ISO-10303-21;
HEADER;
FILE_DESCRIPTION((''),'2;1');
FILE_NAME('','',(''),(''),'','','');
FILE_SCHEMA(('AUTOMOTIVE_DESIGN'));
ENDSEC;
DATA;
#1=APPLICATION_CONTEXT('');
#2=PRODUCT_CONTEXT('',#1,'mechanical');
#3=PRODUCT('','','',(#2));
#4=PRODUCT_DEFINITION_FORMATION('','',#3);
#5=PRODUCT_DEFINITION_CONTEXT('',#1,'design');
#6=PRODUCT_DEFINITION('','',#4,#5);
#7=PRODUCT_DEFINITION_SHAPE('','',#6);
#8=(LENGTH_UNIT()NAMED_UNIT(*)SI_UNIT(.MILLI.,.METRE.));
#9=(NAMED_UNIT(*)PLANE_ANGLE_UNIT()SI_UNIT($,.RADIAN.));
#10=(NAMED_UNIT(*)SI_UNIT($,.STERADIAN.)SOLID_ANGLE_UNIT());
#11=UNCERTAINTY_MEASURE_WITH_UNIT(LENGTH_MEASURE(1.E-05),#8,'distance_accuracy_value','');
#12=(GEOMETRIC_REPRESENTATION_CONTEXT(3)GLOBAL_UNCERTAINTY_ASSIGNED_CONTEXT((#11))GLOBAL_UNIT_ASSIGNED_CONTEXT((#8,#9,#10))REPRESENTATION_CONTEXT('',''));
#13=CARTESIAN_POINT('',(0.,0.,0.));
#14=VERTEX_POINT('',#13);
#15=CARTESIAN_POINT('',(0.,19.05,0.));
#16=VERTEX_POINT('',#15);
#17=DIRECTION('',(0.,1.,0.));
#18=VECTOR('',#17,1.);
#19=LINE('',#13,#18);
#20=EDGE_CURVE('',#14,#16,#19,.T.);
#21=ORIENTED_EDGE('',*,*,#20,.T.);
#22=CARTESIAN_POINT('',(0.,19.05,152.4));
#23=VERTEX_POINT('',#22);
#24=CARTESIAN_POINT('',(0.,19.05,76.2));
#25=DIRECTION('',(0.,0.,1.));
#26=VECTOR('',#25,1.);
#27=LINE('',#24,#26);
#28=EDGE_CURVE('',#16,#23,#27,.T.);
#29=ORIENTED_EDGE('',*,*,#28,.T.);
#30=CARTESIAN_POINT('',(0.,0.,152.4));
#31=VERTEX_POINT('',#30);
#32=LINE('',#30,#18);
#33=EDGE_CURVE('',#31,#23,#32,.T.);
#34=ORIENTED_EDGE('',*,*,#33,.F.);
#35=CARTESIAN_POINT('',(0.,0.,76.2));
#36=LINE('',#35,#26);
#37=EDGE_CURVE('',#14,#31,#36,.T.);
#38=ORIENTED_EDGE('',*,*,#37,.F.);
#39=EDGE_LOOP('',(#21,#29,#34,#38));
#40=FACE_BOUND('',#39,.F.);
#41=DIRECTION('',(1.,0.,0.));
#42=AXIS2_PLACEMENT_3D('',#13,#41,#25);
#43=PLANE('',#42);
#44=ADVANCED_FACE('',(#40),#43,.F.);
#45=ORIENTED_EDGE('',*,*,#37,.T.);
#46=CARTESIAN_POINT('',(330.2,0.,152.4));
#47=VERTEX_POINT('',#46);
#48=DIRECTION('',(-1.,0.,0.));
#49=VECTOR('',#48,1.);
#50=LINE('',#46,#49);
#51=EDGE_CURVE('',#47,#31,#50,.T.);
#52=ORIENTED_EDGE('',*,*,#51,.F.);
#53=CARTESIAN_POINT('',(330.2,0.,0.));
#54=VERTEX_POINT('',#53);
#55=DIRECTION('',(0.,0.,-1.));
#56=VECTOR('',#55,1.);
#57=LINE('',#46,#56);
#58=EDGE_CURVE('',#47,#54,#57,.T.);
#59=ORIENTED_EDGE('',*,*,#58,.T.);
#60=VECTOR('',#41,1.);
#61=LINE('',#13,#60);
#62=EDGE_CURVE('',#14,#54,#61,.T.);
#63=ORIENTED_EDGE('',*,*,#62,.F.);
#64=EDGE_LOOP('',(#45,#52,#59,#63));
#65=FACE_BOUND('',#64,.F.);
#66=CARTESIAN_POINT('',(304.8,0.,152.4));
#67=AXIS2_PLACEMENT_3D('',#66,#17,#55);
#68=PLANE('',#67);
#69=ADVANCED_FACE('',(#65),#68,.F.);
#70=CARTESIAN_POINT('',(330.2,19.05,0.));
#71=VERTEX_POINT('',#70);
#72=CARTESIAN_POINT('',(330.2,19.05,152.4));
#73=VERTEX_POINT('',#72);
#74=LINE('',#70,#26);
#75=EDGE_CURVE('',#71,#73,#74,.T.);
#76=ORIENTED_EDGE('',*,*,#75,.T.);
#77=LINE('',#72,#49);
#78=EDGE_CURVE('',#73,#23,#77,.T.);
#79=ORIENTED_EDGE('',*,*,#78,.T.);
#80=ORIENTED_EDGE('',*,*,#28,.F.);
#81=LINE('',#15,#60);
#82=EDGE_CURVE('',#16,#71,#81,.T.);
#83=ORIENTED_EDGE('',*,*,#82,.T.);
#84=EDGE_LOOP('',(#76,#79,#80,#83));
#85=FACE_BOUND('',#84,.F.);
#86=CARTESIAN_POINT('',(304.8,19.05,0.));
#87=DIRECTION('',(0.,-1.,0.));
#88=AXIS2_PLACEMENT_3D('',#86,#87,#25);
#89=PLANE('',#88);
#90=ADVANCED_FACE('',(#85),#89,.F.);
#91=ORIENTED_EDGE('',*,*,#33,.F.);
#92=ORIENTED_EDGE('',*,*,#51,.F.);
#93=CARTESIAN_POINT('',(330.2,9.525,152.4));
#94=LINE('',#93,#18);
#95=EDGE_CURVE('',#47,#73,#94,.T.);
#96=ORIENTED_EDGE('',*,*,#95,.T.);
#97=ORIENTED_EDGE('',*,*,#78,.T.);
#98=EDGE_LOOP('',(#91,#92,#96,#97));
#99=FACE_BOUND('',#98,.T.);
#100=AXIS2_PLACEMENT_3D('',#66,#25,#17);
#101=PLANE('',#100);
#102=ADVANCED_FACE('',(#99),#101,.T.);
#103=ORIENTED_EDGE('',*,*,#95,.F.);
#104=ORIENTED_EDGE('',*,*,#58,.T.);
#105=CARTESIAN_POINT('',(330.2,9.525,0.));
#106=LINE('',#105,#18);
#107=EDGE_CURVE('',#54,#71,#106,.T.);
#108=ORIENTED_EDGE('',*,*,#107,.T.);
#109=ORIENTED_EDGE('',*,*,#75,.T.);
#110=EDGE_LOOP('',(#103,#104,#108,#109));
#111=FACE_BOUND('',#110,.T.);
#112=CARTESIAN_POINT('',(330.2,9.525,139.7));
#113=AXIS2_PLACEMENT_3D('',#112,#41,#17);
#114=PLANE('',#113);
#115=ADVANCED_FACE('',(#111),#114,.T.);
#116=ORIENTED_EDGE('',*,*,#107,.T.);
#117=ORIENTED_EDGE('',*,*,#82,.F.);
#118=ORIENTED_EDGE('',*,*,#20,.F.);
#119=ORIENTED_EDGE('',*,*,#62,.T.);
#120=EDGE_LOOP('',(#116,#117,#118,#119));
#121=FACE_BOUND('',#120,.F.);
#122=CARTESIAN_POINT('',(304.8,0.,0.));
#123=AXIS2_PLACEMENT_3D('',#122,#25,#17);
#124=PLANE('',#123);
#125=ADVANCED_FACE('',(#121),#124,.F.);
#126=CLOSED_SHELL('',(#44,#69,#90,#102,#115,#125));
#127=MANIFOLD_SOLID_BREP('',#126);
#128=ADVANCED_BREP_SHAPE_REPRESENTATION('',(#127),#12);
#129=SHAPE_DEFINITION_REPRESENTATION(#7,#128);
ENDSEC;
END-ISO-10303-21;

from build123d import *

# Parameters (mm, degrees)
F0_W     = 304.8
F0_H     = 152.4
F1_DEPTH = 19.05
F2_W     = 19.05
F2_H     = 25.4
F3_DEPTH = 25.4


with BuildPart() as f1:
    # F0 (on Front) → F1 (new body)
    with BuildSketch(Plane.XZ):
        with Locations((152.4, 76.2)):
            Rectangle(F0_W, F0_H)
    extrude(amount=-F1_DEPTH)

    # F2 (on face) → F3 (join)
    with BuildSketch(Plane.YZ.offset(304.8)):
        with Locations((9.525, 139.7)):
            Rectangle(F2_W, F2_H)
        with Locations((9.525, 114.3)):
            Rectangle(F2_W, F2_H)
        with Locations((9.525, 88.9)):
            Rectangle(F2_W, F2_H)
        with Locations((9.525, 63.5)):
            Rectangle(F2_W, F2_H)
        with Locations((9.525, 38.1)):
            Rectangle(F2_W, F2_H)
        with Locations((9.525, 12.7)):
            Rectangle(F2_W, F2_H)
    extrude(amount=F3_DEPTH)


solid = f1.part
